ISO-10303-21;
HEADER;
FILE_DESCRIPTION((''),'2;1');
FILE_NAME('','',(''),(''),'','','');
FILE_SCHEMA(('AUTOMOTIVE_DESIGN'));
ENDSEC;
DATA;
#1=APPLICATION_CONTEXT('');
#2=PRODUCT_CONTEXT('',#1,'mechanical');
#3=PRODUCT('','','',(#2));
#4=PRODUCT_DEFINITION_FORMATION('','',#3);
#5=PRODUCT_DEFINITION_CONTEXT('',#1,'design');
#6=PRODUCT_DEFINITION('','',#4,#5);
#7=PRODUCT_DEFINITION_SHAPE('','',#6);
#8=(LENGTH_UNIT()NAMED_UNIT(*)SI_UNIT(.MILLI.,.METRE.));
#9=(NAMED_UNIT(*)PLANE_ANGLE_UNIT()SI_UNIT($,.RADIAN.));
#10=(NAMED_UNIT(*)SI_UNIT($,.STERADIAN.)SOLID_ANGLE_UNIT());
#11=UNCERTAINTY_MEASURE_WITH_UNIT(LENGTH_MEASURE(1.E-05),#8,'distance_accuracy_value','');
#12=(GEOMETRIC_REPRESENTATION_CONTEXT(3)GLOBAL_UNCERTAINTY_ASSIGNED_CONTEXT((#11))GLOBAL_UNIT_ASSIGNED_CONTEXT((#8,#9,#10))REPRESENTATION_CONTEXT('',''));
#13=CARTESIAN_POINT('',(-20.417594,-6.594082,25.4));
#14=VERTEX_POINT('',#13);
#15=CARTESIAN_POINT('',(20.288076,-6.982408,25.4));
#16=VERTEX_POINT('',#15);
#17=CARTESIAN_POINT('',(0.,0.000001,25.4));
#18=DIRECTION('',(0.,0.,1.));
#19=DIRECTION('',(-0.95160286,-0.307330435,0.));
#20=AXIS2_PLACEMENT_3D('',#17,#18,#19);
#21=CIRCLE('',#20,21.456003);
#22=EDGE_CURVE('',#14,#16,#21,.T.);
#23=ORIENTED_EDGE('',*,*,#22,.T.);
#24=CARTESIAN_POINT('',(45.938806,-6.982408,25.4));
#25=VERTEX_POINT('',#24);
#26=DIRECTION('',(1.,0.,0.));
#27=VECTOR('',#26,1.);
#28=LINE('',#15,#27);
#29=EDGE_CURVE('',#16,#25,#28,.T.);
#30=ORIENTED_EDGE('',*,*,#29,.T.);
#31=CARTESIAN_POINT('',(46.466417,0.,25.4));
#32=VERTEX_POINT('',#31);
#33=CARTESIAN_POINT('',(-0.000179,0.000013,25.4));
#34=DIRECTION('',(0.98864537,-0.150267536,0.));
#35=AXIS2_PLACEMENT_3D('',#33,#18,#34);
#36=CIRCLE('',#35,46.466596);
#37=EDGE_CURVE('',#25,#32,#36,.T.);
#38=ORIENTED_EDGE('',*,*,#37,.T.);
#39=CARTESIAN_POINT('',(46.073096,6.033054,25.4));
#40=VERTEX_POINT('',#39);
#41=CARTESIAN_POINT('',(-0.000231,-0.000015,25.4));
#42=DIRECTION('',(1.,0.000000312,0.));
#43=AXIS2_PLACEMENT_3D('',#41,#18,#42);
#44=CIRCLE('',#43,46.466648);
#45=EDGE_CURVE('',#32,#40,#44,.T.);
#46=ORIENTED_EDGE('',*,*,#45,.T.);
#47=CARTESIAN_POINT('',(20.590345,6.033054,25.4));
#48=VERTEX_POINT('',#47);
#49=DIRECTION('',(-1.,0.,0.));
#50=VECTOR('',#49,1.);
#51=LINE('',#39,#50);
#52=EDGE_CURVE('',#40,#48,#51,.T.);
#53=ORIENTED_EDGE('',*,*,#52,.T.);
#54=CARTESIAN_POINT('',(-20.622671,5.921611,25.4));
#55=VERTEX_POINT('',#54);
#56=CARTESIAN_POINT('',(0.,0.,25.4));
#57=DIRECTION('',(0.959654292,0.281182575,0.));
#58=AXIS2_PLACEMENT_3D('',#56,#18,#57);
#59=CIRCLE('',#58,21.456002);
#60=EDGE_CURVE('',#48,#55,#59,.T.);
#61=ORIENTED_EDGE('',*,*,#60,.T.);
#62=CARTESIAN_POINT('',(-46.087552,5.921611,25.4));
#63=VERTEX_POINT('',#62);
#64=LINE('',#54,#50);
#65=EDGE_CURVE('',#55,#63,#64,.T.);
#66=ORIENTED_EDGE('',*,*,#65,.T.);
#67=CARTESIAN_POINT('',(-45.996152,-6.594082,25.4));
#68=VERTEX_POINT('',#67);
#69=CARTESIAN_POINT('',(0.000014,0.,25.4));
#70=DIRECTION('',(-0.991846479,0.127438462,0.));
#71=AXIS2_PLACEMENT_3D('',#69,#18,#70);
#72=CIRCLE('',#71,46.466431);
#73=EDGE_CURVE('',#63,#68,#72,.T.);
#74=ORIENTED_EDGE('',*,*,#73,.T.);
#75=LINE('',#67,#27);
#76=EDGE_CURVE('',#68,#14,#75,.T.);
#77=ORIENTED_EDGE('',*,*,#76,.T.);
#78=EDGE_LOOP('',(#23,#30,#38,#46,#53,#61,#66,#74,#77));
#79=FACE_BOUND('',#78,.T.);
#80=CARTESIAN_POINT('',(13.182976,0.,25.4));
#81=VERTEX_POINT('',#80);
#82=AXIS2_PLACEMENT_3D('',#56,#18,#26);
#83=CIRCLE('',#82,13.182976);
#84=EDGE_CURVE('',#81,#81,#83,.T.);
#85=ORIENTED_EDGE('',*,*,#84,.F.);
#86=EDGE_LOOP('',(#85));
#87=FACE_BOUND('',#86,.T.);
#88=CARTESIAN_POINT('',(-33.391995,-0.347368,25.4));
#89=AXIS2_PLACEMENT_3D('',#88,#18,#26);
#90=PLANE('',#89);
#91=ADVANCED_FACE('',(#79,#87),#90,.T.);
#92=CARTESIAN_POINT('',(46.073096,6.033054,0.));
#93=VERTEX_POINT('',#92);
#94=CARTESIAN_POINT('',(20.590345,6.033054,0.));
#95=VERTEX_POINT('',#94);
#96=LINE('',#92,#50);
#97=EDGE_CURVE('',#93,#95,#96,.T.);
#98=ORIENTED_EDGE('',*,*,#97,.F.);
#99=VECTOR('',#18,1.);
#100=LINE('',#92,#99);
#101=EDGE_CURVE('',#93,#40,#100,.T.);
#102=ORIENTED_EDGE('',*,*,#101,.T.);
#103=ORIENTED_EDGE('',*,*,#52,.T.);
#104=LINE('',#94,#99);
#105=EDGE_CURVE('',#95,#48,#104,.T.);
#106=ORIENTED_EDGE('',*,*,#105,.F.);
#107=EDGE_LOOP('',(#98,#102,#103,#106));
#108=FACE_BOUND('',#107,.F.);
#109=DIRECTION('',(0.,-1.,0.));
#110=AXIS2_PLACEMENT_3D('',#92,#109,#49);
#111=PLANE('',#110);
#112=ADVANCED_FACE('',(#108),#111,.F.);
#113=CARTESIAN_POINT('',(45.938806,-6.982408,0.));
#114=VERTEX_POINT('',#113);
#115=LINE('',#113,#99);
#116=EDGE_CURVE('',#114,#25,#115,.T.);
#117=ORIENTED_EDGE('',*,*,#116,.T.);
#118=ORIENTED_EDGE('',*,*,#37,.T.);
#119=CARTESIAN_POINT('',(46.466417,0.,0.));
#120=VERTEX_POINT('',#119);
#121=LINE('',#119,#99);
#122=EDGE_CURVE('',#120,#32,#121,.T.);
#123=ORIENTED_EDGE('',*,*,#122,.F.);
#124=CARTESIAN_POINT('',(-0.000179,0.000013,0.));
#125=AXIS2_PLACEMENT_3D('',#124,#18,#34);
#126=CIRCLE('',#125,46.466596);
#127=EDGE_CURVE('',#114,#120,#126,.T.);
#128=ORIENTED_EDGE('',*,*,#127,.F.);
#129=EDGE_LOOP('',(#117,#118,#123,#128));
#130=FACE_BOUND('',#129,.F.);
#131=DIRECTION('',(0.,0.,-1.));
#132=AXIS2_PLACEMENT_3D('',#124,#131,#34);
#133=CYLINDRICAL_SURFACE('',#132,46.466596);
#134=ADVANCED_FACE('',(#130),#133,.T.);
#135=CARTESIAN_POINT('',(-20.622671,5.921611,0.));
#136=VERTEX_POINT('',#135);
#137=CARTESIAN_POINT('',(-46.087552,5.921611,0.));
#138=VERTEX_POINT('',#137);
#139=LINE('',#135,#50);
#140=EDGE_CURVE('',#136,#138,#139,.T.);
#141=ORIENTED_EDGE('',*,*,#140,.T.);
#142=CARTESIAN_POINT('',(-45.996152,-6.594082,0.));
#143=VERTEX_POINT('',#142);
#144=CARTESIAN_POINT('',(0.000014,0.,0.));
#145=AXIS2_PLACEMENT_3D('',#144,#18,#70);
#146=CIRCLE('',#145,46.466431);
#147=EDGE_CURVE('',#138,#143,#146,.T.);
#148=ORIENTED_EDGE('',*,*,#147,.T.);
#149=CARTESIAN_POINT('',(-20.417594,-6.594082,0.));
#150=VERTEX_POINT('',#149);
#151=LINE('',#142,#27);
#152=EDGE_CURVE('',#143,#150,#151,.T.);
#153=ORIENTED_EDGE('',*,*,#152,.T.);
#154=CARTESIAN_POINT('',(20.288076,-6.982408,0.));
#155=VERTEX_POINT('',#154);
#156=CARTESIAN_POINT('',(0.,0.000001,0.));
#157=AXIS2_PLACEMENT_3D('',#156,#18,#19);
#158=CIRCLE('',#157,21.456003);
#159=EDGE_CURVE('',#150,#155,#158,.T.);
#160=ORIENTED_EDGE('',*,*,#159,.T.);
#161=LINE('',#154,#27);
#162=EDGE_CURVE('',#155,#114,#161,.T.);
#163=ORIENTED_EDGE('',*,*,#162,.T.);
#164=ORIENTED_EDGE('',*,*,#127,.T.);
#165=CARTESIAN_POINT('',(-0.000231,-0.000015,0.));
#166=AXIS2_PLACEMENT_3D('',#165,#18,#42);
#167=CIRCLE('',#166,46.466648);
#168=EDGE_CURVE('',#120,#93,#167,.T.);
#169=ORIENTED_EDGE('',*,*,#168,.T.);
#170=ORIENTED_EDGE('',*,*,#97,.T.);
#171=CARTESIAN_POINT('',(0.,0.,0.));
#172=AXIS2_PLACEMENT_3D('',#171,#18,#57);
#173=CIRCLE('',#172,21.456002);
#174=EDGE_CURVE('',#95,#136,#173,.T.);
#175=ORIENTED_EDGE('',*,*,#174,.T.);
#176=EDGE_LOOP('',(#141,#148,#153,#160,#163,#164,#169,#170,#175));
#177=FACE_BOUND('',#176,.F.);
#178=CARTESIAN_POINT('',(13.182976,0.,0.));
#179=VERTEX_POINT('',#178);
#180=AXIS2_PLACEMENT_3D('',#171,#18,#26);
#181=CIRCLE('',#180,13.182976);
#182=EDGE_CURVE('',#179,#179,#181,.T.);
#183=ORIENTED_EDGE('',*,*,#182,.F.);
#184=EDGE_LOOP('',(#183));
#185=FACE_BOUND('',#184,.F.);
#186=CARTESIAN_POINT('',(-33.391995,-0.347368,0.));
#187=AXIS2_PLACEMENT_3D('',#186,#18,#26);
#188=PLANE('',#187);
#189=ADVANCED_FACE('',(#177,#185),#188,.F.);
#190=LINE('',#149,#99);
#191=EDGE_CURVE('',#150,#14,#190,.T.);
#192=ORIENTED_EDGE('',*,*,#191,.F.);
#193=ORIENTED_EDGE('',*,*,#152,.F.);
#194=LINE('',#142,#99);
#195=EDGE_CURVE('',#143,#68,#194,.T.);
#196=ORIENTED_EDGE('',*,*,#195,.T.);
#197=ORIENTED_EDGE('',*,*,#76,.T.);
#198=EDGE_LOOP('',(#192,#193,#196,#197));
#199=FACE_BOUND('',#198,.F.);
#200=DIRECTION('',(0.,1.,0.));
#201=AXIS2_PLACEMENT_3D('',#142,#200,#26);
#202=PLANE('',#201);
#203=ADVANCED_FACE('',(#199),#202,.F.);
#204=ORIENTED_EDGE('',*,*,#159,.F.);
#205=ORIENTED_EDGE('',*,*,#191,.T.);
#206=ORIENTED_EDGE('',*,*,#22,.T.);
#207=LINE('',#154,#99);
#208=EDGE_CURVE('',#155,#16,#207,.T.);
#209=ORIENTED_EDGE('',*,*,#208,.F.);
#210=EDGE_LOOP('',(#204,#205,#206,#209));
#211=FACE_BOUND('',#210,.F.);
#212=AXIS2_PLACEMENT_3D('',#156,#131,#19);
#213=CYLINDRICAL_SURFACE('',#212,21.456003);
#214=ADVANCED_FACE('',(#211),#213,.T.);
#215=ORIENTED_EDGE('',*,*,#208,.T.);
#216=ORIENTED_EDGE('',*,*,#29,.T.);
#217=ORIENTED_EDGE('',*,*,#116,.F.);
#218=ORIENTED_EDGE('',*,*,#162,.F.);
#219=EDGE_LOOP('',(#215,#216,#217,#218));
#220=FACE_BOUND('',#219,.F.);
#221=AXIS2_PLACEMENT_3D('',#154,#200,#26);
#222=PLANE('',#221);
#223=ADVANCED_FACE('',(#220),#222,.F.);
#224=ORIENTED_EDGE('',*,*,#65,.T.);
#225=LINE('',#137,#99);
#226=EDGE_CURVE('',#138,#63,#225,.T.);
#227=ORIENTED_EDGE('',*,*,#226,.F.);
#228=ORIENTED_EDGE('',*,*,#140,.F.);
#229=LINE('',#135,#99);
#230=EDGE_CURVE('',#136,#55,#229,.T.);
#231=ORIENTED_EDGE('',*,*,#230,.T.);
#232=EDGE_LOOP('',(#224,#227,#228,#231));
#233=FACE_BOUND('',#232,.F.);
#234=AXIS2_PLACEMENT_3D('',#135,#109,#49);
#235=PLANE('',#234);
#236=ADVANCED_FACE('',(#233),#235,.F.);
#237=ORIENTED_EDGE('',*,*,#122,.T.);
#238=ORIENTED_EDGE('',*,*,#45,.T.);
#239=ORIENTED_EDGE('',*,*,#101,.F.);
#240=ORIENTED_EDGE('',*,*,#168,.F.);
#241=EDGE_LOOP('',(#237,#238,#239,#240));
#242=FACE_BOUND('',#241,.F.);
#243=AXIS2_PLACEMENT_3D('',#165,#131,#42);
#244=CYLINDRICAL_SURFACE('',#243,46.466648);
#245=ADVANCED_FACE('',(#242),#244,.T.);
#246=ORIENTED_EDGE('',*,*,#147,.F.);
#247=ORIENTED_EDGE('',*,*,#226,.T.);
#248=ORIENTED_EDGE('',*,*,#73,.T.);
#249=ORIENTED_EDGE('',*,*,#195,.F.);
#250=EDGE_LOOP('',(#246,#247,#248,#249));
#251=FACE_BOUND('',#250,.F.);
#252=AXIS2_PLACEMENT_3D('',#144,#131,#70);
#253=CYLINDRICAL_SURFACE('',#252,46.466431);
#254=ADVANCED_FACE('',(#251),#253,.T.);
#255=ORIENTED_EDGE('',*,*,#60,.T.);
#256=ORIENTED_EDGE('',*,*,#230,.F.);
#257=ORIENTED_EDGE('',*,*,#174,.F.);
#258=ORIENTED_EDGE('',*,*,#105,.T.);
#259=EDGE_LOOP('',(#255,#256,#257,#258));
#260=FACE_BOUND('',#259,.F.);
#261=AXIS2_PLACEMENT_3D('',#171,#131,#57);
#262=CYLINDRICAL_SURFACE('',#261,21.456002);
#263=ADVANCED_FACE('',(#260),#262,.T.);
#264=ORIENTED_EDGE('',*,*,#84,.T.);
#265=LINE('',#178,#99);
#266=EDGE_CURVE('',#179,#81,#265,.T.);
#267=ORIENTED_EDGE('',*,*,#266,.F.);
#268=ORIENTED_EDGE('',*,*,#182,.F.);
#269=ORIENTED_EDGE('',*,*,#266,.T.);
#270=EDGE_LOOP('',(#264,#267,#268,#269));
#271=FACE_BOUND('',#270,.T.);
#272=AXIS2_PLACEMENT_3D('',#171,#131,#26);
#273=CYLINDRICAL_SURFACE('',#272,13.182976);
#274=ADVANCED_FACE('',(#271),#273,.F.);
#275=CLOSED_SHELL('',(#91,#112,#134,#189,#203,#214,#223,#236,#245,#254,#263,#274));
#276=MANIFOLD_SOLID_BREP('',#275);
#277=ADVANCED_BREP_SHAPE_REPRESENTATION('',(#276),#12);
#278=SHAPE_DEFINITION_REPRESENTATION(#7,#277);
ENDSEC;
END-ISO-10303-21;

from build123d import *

# Parameters (mm, degrees)
F0_R     = 13.182976
F1_DEPTH = 25.4


with BuildPart() as f1:
    # F0 (on Top) → F1 (new body)
    with BuildSketch(Plane.XY):
        with BuildLine():
            Line((-20.622671, 5.921611), (-46.087552, 5.921611))
            ThreePointArc((-46.087552, 5.921611), (-46.465178, -0.339327), (-45.996152, -6.594082))
            Line((-45.996152, -6.594082), (-20.417594, -6.594082))
            ThreePointArc((-20.417594, -6.594082), (-21.453123, -0.351523), (-20.622671, 5.921611))
        make_face()
        with BuildLine():
            ThreePointArc((45.938806, -6.982408), (46.334326, -3.501157), (46.466417, 0))
            ThreePointArc((46.466417, 0), (46.367982, 3.022931), (46.073096, 6.033054))
            Line((46.073096, 6.033054), (20.590345, 6.033054))
            ThreePointArc((20.590345, 6.033054), (21.238486, 3.047421), (21.456003, 0))
            ThreePointArc((21.456003, 0), (21.162007, -3.539706), (20.288076, -6.982408))
            Line((20.288076, -6.982408), (45.938806, -6.982408))
        make_face()
        with BuildLine():
            ThreePointArc((21.456003, 0), (21.238486, 3.047421), (20.590345, 6.033054))
            ThreePointArc((20.590345, 6.033054), (-0.058019, 21.455924), (-20.622671, 5.921611))
            ThreePointArc((-20.622671, 5.921611), (-21.453123, -0.351523), (-20.417594, -6.594082))
            ThreePointArc((-20.417594, -6.594082), (-0.204678, -21.455026), (20.288076, -6.982408))
            ThreePointArc((20.288076, -6.982408), (21.162007, -3.539706), (21.456003, 0))
        make_face()
        Circle(F0_R, mode=Mode.SUBTRACT)
    extrude(amount=F1_DEPTH)


solid = f1.part
